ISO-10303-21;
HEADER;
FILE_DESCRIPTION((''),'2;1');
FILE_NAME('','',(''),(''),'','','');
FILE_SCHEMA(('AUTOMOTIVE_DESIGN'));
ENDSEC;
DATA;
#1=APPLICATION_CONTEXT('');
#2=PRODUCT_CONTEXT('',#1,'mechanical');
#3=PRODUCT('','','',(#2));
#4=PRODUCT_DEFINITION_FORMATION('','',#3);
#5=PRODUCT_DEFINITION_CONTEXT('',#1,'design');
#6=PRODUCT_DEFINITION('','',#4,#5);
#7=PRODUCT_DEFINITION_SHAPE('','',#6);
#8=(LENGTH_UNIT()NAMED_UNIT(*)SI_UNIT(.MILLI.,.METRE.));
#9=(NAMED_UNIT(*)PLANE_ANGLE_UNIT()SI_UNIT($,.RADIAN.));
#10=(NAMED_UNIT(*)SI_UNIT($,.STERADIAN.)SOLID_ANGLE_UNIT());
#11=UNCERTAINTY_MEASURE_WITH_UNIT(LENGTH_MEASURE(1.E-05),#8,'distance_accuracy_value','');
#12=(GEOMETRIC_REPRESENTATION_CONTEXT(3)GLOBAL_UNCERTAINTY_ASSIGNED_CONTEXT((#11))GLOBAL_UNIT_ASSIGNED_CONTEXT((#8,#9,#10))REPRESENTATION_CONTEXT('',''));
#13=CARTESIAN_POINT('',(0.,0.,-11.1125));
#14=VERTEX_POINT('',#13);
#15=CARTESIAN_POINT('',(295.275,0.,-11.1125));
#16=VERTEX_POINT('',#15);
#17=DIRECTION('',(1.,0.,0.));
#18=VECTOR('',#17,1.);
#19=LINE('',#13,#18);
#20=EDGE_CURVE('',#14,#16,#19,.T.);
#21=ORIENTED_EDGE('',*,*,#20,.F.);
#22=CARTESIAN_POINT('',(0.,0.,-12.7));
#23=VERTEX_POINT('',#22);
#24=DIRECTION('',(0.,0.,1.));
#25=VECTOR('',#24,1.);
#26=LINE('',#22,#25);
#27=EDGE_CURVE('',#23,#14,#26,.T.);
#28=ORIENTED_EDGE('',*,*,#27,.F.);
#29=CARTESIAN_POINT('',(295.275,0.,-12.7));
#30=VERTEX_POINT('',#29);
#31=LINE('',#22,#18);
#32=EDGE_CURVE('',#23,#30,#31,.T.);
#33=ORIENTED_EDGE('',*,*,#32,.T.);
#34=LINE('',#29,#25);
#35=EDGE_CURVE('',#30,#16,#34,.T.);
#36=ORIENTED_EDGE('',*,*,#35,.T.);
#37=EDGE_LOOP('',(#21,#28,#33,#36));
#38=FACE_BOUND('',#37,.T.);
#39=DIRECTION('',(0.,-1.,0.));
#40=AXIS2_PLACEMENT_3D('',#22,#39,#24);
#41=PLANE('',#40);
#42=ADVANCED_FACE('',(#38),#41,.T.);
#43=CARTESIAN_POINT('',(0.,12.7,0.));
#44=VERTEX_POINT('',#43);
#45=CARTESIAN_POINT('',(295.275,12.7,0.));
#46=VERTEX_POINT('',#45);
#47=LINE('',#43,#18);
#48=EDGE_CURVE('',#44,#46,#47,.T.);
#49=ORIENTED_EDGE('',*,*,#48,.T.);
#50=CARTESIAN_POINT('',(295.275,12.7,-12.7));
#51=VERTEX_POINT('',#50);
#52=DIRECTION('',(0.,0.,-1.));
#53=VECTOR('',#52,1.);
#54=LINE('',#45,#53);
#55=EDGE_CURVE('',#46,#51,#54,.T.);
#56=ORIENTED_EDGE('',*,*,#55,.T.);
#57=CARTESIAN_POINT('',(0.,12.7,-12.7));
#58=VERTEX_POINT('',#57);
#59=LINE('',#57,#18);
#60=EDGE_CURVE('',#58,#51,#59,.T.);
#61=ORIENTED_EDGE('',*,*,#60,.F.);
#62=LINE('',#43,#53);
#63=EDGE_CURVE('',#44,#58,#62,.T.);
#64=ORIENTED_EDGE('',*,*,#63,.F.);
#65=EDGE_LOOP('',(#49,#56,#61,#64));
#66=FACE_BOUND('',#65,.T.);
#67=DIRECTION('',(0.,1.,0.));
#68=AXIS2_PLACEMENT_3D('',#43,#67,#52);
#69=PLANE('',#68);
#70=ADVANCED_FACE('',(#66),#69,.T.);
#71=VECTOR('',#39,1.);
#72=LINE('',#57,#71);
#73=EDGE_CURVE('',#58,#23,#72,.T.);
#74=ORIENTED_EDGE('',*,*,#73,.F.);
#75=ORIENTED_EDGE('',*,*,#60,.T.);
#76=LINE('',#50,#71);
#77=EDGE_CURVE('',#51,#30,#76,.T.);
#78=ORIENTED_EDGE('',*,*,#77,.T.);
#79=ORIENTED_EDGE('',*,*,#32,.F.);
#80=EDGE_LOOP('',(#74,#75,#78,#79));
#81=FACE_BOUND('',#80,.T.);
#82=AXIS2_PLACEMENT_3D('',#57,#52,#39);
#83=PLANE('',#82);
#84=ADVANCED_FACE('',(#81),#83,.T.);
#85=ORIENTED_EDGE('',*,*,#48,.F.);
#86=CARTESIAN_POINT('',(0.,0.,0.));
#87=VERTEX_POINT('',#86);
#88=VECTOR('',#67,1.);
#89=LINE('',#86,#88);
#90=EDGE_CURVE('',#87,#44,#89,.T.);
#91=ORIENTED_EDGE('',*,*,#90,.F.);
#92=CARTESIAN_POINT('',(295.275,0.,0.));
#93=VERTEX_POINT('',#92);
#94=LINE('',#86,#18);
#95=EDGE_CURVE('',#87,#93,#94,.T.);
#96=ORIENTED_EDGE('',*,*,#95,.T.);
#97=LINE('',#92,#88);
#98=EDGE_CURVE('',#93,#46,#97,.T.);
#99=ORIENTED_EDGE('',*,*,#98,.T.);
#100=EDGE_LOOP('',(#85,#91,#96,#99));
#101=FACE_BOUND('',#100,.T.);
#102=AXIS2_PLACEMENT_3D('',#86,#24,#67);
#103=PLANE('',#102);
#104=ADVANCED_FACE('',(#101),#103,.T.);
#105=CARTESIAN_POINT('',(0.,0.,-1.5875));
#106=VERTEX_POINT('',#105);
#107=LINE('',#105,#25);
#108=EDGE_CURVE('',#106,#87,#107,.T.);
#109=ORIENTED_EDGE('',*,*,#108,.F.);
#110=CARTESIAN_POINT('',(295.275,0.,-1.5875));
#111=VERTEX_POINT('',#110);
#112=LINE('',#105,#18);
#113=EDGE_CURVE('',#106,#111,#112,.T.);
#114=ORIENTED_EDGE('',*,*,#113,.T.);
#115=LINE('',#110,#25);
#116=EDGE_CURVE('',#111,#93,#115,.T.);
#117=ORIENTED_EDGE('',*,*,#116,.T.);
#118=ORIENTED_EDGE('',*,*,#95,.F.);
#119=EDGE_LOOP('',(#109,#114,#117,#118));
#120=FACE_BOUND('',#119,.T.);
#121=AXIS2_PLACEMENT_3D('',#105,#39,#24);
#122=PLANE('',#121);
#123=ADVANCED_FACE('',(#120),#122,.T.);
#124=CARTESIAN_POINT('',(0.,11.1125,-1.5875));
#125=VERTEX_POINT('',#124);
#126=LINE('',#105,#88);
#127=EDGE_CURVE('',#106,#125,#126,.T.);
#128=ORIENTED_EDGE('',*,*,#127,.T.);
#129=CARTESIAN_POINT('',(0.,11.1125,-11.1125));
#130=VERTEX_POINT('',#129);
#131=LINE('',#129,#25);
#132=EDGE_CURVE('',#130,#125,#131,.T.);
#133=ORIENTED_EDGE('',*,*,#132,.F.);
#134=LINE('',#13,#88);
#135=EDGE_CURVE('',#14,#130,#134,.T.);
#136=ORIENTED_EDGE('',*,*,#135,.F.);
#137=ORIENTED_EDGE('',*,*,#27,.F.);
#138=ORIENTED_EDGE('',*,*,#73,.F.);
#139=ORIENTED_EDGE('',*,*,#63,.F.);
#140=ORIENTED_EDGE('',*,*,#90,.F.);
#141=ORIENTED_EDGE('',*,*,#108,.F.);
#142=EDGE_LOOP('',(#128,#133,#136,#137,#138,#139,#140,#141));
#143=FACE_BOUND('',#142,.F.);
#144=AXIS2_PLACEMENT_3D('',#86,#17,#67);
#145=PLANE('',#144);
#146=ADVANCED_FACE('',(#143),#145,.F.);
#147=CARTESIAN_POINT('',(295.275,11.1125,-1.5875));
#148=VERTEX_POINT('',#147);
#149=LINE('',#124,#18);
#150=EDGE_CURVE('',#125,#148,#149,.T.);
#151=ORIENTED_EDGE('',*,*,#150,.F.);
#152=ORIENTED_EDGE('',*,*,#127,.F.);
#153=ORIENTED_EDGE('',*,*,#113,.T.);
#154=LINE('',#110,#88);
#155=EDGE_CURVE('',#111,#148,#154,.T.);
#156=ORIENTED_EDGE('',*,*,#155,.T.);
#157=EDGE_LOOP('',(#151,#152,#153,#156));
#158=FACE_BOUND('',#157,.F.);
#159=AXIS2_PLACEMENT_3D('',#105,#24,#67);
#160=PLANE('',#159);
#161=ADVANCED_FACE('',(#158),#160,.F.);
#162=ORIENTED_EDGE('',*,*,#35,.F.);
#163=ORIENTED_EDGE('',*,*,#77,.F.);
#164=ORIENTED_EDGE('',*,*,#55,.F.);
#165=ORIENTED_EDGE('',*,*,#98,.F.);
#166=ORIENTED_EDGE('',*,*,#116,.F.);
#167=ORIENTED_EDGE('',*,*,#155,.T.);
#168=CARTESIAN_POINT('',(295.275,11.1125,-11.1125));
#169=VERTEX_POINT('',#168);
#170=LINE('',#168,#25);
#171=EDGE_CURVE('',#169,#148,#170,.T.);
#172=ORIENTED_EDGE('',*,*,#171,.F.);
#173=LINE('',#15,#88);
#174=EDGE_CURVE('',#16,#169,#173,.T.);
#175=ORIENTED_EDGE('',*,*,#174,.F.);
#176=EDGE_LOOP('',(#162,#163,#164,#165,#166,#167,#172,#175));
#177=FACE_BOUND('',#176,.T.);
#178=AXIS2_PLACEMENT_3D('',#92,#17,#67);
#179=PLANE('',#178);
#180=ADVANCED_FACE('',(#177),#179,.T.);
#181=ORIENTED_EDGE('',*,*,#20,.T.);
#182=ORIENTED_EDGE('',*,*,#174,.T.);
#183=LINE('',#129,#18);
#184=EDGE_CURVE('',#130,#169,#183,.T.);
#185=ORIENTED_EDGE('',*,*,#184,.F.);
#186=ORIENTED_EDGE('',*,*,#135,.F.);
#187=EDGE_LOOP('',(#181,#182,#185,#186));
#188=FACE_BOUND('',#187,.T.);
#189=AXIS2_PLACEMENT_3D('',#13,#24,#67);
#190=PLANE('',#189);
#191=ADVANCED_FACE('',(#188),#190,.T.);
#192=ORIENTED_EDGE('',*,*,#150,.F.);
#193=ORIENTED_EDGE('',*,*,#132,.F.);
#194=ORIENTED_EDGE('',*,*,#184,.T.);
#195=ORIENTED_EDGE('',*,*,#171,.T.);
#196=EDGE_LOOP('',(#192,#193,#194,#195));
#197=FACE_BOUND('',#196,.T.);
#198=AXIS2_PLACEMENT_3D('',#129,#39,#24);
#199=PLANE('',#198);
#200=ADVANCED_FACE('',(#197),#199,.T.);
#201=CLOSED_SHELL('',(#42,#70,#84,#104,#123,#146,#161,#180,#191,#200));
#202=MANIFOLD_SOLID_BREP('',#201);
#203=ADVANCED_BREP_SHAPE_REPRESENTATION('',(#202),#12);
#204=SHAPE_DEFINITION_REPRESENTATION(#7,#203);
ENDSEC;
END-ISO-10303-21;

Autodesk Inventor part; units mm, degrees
ref_plane "YZ Plane" through (0, 0, 0) normal (1, 0, 0) x (0, 1, 0)
ref_plane "XZ Plane" through (0, 0, 0) normal (0, 1, 0) x (-1, 0, 0)
ref_plane "XY Plane" through (0, 0, 0) normal (0, 0, 1) x (1, 0, 0)
sketch "Sketch1" plane through (0, 0, 0) normal (1, 0, 0) x (0, 1, 0)
  line L0 (0, 0) -> (12.7, 0)
  line L1 (12.7, 0) -> (12.7, -12.7)
  line L2 (12.7, -12.7) -> (0, -12.7)
  line L3 (0, -1.5875) -> (11.1125, -1.5875)
  line L4 (0, -11.1125) -> (11.1125, -11.1125)
  line L5 (11.1125, -11.1125) -> (11.1125, -1.5875)
  line L6 (0, -12.7) -> (0, -11.1125)
  line L7 (0, -1.5875) -> (0, 0)
  dimension "d0" = 12.7
  dimension "d1" = 12.7
  dimension "d2" = 11.1125
  dimension "d3" = 1.5875
  dimension "d4" = 1.5875
  dimension "d5" = 1.5875
extrude "Extrusion1" add sketch "Sketch1" along normal blind 295.275
properties part number "Large C Channel" material "Aluminum 6061"
